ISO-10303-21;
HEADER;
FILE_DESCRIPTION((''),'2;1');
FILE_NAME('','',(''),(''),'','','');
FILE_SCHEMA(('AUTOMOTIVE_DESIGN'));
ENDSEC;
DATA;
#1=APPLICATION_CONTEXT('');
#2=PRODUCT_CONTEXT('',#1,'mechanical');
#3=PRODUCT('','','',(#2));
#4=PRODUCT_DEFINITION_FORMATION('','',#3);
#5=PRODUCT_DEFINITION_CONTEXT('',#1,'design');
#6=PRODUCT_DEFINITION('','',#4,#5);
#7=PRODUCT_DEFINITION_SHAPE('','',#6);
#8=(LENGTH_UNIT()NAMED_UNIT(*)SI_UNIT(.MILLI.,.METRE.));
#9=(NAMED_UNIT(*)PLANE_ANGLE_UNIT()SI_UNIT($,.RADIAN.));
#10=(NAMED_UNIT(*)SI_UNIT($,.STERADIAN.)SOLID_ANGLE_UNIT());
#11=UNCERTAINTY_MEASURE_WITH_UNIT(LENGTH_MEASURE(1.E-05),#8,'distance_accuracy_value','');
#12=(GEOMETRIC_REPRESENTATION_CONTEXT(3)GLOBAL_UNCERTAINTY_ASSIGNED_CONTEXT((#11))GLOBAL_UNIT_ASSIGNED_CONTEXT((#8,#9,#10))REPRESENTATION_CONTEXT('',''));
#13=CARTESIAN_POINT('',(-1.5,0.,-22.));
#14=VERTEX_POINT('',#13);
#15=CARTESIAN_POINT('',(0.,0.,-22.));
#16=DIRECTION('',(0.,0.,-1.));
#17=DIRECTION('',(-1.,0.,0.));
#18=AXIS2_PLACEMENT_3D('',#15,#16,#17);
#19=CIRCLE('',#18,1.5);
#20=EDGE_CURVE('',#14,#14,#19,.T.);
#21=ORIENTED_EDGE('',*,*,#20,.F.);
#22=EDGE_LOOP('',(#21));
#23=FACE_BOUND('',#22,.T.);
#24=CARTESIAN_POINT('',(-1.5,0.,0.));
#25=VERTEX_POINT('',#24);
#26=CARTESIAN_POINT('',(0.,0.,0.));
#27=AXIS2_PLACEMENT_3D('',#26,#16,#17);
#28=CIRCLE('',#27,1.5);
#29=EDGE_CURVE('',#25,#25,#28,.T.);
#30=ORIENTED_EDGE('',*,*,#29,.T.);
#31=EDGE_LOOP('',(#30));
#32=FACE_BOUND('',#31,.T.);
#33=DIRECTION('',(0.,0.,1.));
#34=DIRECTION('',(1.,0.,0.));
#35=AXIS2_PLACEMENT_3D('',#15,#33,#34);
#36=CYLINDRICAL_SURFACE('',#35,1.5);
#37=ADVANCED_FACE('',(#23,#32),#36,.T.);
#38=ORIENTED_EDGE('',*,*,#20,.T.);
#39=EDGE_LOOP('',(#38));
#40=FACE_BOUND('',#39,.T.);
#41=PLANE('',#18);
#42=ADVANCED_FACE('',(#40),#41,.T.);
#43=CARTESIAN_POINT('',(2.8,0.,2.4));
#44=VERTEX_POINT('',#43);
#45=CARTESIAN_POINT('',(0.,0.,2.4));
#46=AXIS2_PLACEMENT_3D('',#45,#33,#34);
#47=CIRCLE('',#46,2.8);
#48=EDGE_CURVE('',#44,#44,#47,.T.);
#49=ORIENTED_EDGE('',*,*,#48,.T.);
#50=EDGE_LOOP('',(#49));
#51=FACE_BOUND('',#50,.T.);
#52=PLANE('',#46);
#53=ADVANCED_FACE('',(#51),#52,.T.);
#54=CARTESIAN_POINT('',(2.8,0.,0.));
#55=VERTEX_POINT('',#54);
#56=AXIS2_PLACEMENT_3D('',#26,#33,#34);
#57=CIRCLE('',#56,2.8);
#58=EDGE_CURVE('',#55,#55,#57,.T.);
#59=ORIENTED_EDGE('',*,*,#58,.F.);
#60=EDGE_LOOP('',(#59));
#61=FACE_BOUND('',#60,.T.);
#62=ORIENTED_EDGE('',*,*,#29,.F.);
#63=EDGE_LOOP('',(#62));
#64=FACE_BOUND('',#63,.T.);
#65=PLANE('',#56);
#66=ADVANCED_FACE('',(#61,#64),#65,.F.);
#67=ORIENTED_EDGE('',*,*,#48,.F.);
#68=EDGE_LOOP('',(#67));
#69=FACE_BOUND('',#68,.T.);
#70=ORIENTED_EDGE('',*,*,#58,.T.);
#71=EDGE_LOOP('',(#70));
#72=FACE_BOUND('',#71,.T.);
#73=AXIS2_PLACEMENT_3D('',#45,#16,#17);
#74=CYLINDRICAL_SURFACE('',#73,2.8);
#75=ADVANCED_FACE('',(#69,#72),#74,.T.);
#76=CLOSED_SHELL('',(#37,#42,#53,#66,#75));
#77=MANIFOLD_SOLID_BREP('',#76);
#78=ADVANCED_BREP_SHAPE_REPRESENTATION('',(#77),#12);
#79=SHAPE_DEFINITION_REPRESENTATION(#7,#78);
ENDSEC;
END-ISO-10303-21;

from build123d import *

# Parameters (mm, degrees)
ESQUISSE1_R        = 2.8
BOSS_EXTRU_1_DEPTH = 2.4
ESQUISSE2_R        = 1.5
BOSS_EXTRU_2_DEPTH = 22


with BuildPart() as part:
    # Esquisse1 → Boss.-Extru.1 (new body)
    with BuildSketch(Plane.XY):
        Circle(ESQUISSE1_R)
    extrude(amount=BOSS_EXTRU_1_DEPTH)

    # Esquisse2 → Boss.-Extru.2 (add)
    with BuildSketch(Plane(origin=(0, 0, 0), x_dir=(-1, 0, 0), z_dir=(0, 0, -1))):
        Circle(ESQUISSE2_R)
    extrude(amount=BOSS_EXTRU_2_DEPTH)


solid = part.part
